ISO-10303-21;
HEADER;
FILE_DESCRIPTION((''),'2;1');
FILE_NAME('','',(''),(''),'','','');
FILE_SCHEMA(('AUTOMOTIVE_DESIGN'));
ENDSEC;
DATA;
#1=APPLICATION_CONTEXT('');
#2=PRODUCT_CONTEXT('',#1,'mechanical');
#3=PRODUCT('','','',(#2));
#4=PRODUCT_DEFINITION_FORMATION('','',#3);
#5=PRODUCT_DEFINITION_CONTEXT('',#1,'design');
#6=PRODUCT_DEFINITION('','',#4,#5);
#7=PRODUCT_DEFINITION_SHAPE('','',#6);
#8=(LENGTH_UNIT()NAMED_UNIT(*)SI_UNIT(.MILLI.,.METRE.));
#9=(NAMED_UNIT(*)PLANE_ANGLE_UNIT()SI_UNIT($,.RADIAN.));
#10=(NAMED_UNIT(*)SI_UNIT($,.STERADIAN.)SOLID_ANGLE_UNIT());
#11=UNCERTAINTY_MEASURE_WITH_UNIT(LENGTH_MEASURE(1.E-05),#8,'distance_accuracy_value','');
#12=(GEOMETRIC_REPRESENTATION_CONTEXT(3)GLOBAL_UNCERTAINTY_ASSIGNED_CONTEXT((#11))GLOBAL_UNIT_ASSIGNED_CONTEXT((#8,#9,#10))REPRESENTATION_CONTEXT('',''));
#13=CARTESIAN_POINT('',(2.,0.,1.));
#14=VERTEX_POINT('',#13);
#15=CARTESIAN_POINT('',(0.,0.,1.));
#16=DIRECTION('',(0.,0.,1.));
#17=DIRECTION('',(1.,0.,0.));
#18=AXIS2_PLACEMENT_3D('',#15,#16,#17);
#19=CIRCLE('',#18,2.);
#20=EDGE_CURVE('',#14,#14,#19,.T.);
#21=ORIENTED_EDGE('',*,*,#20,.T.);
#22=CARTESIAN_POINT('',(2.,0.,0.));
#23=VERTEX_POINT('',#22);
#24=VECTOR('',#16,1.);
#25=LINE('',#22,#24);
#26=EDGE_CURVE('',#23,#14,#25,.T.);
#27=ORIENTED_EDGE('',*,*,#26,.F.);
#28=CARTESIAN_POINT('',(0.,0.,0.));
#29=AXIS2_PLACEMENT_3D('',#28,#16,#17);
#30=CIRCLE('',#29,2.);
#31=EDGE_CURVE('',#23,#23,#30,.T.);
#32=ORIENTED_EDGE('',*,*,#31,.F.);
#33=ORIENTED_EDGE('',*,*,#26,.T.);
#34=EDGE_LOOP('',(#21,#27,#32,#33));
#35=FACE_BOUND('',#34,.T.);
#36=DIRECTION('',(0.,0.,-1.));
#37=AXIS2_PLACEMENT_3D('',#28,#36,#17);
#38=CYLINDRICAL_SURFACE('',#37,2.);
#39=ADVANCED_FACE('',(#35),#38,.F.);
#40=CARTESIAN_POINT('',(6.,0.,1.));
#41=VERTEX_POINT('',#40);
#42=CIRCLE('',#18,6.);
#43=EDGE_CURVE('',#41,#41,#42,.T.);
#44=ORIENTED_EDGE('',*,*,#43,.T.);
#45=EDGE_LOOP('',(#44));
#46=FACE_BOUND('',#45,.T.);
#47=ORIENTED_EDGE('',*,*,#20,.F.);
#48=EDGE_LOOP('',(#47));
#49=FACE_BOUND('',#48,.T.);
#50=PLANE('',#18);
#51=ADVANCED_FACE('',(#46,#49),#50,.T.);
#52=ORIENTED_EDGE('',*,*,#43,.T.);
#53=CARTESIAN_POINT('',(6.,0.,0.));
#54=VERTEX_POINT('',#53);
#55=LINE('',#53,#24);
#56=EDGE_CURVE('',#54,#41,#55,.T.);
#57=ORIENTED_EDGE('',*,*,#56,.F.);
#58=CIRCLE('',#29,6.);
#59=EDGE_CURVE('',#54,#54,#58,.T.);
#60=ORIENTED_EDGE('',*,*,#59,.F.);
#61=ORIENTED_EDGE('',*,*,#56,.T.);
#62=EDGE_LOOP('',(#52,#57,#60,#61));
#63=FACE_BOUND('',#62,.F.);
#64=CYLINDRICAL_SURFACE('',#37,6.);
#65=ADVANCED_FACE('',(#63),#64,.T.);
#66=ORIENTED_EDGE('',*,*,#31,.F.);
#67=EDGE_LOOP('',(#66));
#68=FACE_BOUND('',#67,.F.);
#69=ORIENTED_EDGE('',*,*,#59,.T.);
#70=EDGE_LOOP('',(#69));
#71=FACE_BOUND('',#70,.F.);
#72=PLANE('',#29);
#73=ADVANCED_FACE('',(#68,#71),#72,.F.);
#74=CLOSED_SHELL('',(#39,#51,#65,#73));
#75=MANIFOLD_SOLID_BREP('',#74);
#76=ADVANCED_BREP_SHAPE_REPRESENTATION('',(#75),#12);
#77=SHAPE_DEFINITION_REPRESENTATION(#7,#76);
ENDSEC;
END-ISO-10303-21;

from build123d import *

# Parameters (mm, degrees)
ESQUISSE1_R        = 6
ESQUISSE1_R_2      = 2
BOSS_EXTRU_1_DEPTH = 1


with BuildPart() as part:
    # Esquisse1 → Boss.-Extru.1 (new body)
    with BuildSketch(Plane.XY):
        Circle(ESQUISSE1_R)
        Circle(ESQUISSE1_R_2, mode=Mode.SUBTRACT)
    extrude(amount=BOSS_EXTRU_1_DEPTH)


solid = part.part
